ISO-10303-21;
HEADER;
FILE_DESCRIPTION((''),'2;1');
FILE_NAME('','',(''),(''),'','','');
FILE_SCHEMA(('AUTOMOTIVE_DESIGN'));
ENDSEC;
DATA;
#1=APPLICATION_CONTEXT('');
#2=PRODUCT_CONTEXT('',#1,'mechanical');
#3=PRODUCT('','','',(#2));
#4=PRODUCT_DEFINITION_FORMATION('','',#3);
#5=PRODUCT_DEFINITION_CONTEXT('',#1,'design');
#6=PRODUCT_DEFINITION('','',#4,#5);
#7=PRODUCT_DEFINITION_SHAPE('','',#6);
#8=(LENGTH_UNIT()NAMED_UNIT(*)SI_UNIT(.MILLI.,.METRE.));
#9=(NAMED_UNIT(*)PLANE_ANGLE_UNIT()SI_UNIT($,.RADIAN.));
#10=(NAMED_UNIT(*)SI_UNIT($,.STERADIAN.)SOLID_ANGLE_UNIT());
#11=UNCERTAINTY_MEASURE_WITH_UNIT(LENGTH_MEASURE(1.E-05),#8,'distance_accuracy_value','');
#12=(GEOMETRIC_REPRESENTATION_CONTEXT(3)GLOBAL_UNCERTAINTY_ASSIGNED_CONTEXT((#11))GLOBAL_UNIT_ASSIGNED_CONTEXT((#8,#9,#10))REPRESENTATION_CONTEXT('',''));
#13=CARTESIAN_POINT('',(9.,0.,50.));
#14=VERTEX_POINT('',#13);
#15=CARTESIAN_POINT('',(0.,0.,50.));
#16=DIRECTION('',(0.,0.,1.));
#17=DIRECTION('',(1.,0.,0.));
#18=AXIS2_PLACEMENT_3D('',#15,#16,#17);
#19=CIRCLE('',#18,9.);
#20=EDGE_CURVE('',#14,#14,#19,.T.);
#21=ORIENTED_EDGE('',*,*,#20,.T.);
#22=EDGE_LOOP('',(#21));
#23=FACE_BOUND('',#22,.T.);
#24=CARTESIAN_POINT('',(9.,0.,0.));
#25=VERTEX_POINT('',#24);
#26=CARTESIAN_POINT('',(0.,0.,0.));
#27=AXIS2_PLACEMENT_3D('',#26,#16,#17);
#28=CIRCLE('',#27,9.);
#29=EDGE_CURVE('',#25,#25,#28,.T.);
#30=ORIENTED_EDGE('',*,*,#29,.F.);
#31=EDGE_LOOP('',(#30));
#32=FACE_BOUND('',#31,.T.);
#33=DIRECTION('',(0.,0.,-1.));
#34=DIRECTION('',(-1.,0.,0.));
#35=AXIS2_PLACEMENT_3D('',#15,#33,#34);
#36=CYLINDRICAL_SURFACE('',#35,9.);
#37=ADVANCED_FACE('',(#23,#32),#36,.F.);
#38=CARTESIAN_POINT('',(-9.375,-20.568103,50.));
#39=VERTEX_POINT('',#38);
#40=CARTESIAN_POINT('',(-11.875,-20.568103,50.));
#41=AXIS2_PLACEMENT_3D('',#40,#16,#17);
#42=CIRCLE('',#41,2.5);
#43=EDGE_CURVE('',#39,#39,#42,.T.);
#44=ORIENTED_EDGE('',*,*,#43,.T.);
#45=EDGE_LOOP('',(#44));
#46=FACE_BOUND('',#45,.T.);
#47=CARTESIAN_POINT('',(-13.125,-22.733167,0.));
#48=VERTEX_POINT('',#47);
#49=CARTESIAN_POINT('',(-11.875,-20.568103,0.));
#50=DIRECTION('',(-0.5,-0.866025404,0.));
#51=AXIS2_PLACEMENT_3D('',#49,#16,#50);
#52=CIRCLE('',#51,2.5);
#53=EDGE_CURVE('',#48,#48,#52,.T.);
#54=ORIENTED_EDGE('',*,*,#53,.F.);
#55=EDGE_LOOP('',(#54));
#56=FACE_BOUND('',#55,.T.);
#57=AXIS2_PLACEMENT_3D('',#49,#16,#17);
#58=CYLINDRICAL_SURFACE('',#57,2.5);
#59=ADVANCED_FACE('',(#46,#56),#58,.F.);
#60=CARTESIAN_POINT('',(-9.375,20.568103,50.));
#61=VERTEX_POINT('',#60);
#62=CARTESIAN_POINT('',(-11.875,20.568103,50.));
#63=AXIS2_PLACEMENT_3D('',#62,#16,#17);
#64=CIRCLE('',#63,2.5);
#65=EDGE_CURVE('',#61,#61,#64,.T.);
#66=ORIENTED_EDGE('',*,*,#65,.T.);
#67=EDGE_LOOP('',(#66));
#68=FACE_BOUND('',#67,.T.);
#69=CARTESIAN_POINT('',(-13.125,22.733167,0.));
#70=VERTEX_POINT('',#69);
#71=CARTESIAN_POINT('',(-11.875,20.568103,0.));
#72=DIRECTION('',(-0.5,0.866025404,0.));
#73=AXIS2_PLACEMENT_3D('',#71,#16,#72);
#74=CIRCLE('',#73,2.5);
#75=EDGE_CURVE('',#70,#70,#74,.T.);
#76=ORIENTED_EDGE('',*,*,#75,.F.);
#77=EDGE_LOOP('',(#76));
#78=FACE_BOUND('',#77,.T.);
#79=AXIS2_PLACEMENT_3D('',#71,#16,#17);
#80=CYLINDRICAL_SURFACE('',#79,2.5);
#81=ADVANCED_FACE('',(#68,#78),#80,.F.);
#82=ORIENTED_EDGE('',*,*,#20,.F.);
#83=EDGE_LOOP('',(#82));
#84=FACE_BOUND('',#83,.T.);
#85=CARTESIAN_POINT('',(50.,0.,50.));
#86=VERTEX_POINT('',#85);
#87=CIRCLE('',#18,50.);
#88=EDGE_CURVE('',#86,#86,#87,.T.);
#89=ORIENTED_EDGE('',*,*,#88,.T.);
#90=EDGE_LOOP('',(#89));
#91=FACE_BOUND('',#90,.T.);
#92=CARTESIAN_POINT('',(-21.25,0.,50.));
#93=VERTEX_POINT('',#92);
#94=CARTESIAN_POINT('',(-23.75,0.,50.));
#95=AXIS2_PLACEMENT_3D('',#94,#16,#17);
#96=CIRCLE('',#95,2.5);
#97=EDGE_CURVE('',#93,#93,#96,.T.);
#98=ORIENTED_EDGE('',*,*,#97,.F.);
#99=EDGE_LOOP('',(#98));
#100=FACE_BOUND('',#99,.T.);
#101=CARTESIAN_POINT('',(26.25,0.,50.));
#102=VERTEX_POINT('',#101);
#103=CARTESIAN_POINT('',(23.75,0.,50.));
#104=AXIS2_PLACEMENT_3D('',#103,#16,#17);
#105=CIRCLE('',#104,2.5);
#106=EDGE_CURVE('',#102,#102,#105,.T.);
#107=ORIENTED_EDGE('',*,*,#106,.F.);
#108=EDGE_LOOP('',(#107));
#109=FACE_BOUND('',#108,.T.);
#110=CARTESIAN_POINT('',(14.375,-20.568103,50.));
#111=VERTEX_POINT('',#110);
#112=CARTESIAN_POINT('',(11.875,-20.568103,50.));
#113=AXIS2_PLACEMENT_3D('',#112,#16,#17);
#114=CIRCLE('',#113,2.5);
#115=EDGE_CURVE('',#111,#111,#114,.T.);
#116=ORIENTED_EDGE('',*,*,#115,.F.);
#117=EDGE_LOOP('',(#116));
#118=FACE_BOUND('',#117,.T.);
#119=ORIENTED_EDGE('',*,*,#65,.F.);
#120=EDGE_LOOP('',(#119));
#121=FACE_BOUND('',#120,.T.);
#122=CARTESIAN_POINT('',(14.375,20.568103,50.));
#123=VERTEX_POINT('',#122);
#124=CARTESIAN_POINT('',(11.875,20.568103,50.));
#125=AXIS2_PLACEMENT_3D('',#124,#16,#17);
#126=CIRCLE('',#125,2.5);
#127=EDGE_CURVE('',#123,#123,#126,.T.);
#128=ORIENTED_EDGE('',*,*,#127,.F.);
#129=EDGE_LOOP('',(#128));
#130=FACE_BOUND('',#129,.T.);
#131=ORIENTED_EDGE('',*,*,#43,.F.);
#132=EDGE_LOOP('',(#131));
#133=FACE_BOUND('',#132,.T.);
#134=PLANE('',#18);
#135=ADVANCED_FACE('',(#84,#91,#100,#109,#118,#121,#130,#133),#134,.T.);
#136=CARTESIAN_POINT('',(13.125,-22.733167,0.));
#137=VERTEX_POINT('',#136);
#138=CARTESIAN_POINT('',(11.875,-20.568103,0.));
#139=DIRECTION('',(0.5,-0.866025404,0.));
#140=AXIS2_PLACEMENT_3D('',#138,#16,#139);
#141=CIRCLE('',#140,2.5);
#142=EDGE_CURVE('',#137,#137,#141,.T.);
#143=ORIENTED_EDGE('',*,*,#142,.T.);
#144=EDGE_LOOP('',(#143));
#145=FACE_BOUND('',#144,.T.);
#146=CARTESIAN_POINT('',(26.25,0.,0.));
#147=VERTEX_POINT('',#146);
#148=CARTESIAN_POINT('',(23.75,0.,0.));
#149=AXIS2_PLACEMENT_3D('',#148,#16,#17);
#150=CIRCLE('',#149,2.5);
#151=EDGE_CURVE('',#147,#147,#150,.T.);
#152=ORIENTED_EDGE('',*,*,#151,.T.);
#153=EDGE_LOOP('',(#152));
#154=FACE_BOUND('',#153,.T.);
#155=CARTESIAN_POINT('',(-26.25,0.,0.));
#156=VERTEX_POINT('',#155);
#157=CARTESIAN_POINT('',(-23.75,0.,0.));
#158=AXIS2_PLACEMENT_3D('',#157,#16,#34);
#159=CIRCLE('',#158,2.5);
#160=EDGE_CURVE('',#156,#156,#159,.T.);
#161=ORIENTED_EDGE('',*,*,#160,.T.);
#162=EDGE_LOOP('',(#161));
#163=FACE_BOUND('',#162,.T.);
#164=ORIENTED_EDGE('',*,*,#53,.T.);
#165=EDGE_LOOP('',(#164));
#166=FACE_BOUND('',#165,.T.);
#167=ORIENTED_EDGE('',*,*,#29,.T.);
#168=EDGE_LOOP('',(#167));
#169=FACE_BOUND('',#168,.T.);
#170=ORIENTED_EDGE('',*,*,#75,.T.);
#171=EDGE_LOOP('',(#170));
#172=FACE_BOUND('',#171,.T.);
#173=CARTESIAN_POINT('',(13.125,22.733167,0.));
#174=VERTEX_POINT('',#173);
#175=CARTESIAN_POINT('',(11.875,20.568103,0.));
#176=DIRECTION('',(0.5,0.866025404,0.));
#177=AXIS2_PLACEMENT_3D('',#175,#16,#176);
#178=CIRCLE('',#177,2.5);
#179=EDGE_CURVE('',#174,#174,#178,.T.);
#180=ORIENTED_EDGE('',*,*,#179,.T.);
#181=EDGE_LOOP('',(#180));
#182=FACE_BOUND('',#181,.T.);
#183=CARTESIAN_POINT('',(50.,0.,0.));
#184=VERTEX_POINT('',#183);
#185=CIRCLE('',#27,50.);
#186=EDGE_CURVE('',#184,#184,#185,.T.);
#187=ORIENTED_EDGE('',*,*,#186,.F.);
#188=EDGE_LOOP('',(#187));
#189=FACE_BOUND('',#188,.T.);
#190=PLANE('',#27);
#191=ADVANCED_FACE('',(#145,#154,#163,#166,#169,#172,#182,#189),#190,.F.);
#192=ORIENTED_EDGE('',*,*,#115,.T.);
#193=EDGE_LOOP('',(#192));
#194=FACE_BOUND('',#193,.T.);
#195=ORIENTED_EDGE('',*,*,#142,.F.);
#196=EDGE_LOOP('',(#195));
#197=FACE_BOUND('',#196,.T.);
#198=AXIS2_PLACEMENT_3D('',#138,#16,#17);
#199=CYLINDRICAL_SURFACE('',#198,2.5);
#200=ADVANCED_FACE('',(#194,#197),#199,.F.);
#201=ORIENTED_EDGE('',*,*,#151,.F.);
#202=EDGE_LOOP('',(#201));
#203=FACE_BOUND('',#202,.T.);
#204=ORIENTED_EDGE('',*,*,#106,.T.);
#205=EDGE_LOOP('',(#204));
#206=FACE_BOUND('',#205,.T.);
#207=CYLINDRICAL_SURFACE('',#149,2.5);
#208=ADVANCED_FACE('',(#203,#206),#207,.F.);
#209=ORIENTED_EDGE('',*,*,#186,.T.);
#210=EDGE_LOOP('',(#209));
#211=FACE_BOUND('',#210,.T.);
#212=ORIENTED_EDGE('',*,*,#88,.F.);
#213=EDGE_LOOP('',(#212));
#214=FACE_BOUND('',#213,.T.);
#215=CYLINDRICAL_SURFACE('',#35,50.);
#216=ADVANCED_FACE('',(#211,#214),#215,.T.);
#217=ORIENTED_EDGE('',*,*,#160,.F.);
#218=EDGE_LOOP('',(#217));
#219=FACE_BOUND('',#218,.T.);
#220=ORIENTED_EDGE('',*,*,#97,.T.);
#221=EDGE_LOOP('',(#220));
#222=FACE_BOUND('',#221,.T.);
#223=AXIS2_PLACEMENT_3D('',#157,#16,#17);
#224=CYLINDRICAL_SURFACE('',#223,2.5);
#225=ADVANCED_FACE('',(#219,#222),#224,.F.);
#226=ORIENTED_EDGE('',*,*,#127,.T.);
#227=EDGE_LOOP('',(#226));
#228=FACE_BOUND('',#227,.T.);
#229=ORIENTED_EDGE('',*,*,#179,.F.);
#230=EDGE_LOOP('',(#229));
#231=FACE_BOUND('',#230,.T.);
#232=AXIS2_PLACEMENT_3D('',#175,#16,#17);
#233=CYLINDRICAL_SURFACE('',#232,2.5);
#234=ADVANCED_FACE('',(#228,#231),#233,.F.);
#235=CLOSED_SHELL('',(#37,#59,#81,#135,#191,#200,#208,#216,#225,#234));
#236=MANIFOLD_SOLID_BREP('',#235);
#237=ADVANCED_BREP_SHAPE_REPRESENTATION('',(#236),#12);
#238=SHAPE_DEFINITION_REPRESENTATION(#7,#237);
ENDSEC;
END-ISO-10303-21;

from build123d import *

# Parameters (mm, degrees)
SKETCH_1_R               = 50
SKETCH_1_R_2             = 9
EXTRUDE_1_DEPTH          = 50
SKETCH_2_R               = 2.5
CUT_EXTRUDE_1_DEPTH      = 87.602540378
PATTERN_CIRCULAR_1_COUNT = 6


with BuildPart() as part:
    # Эскиз1 → Бобышка-Вытянуть1 (new body)
    with BuildSketch(Plane.XY):
        Circle(SKETCH_1_R)
        Circle(SKETCH_1_R_2, mode=Mode.SUBTRACT)
    extrude(amount=EXTRUDE_1_DEPTH)

    # Эскиз2 → Вырез-Вытянуть1 (cut, symmetric)
    with BuildSketch(Plane.XY.offset(50)):
        with Locations((23.75, 0)):
            Circle(SKETCH_2_R)
    cut_extrude_1 = extrude(amount=CUT_EXTRUDE_1_DEPTH, both=True, mode=Mode.SUBTRACT)

    # Круговой массив1: Вырез-Вытянуть1 ×6 about axis
    pattern_circular_1_axis = Axis((0, 0, 0), (0, 0, 1))
    for i in range(1, PATTERN_CIRCULAR_1_COUNT):
        add(cut_extrude_1.rotate(pattern_circular_1_axis, i * 360 / PATTERN_CIRCULAR_1_COUNT), mode=Mode.SUBTRACT)


solid = part.part
